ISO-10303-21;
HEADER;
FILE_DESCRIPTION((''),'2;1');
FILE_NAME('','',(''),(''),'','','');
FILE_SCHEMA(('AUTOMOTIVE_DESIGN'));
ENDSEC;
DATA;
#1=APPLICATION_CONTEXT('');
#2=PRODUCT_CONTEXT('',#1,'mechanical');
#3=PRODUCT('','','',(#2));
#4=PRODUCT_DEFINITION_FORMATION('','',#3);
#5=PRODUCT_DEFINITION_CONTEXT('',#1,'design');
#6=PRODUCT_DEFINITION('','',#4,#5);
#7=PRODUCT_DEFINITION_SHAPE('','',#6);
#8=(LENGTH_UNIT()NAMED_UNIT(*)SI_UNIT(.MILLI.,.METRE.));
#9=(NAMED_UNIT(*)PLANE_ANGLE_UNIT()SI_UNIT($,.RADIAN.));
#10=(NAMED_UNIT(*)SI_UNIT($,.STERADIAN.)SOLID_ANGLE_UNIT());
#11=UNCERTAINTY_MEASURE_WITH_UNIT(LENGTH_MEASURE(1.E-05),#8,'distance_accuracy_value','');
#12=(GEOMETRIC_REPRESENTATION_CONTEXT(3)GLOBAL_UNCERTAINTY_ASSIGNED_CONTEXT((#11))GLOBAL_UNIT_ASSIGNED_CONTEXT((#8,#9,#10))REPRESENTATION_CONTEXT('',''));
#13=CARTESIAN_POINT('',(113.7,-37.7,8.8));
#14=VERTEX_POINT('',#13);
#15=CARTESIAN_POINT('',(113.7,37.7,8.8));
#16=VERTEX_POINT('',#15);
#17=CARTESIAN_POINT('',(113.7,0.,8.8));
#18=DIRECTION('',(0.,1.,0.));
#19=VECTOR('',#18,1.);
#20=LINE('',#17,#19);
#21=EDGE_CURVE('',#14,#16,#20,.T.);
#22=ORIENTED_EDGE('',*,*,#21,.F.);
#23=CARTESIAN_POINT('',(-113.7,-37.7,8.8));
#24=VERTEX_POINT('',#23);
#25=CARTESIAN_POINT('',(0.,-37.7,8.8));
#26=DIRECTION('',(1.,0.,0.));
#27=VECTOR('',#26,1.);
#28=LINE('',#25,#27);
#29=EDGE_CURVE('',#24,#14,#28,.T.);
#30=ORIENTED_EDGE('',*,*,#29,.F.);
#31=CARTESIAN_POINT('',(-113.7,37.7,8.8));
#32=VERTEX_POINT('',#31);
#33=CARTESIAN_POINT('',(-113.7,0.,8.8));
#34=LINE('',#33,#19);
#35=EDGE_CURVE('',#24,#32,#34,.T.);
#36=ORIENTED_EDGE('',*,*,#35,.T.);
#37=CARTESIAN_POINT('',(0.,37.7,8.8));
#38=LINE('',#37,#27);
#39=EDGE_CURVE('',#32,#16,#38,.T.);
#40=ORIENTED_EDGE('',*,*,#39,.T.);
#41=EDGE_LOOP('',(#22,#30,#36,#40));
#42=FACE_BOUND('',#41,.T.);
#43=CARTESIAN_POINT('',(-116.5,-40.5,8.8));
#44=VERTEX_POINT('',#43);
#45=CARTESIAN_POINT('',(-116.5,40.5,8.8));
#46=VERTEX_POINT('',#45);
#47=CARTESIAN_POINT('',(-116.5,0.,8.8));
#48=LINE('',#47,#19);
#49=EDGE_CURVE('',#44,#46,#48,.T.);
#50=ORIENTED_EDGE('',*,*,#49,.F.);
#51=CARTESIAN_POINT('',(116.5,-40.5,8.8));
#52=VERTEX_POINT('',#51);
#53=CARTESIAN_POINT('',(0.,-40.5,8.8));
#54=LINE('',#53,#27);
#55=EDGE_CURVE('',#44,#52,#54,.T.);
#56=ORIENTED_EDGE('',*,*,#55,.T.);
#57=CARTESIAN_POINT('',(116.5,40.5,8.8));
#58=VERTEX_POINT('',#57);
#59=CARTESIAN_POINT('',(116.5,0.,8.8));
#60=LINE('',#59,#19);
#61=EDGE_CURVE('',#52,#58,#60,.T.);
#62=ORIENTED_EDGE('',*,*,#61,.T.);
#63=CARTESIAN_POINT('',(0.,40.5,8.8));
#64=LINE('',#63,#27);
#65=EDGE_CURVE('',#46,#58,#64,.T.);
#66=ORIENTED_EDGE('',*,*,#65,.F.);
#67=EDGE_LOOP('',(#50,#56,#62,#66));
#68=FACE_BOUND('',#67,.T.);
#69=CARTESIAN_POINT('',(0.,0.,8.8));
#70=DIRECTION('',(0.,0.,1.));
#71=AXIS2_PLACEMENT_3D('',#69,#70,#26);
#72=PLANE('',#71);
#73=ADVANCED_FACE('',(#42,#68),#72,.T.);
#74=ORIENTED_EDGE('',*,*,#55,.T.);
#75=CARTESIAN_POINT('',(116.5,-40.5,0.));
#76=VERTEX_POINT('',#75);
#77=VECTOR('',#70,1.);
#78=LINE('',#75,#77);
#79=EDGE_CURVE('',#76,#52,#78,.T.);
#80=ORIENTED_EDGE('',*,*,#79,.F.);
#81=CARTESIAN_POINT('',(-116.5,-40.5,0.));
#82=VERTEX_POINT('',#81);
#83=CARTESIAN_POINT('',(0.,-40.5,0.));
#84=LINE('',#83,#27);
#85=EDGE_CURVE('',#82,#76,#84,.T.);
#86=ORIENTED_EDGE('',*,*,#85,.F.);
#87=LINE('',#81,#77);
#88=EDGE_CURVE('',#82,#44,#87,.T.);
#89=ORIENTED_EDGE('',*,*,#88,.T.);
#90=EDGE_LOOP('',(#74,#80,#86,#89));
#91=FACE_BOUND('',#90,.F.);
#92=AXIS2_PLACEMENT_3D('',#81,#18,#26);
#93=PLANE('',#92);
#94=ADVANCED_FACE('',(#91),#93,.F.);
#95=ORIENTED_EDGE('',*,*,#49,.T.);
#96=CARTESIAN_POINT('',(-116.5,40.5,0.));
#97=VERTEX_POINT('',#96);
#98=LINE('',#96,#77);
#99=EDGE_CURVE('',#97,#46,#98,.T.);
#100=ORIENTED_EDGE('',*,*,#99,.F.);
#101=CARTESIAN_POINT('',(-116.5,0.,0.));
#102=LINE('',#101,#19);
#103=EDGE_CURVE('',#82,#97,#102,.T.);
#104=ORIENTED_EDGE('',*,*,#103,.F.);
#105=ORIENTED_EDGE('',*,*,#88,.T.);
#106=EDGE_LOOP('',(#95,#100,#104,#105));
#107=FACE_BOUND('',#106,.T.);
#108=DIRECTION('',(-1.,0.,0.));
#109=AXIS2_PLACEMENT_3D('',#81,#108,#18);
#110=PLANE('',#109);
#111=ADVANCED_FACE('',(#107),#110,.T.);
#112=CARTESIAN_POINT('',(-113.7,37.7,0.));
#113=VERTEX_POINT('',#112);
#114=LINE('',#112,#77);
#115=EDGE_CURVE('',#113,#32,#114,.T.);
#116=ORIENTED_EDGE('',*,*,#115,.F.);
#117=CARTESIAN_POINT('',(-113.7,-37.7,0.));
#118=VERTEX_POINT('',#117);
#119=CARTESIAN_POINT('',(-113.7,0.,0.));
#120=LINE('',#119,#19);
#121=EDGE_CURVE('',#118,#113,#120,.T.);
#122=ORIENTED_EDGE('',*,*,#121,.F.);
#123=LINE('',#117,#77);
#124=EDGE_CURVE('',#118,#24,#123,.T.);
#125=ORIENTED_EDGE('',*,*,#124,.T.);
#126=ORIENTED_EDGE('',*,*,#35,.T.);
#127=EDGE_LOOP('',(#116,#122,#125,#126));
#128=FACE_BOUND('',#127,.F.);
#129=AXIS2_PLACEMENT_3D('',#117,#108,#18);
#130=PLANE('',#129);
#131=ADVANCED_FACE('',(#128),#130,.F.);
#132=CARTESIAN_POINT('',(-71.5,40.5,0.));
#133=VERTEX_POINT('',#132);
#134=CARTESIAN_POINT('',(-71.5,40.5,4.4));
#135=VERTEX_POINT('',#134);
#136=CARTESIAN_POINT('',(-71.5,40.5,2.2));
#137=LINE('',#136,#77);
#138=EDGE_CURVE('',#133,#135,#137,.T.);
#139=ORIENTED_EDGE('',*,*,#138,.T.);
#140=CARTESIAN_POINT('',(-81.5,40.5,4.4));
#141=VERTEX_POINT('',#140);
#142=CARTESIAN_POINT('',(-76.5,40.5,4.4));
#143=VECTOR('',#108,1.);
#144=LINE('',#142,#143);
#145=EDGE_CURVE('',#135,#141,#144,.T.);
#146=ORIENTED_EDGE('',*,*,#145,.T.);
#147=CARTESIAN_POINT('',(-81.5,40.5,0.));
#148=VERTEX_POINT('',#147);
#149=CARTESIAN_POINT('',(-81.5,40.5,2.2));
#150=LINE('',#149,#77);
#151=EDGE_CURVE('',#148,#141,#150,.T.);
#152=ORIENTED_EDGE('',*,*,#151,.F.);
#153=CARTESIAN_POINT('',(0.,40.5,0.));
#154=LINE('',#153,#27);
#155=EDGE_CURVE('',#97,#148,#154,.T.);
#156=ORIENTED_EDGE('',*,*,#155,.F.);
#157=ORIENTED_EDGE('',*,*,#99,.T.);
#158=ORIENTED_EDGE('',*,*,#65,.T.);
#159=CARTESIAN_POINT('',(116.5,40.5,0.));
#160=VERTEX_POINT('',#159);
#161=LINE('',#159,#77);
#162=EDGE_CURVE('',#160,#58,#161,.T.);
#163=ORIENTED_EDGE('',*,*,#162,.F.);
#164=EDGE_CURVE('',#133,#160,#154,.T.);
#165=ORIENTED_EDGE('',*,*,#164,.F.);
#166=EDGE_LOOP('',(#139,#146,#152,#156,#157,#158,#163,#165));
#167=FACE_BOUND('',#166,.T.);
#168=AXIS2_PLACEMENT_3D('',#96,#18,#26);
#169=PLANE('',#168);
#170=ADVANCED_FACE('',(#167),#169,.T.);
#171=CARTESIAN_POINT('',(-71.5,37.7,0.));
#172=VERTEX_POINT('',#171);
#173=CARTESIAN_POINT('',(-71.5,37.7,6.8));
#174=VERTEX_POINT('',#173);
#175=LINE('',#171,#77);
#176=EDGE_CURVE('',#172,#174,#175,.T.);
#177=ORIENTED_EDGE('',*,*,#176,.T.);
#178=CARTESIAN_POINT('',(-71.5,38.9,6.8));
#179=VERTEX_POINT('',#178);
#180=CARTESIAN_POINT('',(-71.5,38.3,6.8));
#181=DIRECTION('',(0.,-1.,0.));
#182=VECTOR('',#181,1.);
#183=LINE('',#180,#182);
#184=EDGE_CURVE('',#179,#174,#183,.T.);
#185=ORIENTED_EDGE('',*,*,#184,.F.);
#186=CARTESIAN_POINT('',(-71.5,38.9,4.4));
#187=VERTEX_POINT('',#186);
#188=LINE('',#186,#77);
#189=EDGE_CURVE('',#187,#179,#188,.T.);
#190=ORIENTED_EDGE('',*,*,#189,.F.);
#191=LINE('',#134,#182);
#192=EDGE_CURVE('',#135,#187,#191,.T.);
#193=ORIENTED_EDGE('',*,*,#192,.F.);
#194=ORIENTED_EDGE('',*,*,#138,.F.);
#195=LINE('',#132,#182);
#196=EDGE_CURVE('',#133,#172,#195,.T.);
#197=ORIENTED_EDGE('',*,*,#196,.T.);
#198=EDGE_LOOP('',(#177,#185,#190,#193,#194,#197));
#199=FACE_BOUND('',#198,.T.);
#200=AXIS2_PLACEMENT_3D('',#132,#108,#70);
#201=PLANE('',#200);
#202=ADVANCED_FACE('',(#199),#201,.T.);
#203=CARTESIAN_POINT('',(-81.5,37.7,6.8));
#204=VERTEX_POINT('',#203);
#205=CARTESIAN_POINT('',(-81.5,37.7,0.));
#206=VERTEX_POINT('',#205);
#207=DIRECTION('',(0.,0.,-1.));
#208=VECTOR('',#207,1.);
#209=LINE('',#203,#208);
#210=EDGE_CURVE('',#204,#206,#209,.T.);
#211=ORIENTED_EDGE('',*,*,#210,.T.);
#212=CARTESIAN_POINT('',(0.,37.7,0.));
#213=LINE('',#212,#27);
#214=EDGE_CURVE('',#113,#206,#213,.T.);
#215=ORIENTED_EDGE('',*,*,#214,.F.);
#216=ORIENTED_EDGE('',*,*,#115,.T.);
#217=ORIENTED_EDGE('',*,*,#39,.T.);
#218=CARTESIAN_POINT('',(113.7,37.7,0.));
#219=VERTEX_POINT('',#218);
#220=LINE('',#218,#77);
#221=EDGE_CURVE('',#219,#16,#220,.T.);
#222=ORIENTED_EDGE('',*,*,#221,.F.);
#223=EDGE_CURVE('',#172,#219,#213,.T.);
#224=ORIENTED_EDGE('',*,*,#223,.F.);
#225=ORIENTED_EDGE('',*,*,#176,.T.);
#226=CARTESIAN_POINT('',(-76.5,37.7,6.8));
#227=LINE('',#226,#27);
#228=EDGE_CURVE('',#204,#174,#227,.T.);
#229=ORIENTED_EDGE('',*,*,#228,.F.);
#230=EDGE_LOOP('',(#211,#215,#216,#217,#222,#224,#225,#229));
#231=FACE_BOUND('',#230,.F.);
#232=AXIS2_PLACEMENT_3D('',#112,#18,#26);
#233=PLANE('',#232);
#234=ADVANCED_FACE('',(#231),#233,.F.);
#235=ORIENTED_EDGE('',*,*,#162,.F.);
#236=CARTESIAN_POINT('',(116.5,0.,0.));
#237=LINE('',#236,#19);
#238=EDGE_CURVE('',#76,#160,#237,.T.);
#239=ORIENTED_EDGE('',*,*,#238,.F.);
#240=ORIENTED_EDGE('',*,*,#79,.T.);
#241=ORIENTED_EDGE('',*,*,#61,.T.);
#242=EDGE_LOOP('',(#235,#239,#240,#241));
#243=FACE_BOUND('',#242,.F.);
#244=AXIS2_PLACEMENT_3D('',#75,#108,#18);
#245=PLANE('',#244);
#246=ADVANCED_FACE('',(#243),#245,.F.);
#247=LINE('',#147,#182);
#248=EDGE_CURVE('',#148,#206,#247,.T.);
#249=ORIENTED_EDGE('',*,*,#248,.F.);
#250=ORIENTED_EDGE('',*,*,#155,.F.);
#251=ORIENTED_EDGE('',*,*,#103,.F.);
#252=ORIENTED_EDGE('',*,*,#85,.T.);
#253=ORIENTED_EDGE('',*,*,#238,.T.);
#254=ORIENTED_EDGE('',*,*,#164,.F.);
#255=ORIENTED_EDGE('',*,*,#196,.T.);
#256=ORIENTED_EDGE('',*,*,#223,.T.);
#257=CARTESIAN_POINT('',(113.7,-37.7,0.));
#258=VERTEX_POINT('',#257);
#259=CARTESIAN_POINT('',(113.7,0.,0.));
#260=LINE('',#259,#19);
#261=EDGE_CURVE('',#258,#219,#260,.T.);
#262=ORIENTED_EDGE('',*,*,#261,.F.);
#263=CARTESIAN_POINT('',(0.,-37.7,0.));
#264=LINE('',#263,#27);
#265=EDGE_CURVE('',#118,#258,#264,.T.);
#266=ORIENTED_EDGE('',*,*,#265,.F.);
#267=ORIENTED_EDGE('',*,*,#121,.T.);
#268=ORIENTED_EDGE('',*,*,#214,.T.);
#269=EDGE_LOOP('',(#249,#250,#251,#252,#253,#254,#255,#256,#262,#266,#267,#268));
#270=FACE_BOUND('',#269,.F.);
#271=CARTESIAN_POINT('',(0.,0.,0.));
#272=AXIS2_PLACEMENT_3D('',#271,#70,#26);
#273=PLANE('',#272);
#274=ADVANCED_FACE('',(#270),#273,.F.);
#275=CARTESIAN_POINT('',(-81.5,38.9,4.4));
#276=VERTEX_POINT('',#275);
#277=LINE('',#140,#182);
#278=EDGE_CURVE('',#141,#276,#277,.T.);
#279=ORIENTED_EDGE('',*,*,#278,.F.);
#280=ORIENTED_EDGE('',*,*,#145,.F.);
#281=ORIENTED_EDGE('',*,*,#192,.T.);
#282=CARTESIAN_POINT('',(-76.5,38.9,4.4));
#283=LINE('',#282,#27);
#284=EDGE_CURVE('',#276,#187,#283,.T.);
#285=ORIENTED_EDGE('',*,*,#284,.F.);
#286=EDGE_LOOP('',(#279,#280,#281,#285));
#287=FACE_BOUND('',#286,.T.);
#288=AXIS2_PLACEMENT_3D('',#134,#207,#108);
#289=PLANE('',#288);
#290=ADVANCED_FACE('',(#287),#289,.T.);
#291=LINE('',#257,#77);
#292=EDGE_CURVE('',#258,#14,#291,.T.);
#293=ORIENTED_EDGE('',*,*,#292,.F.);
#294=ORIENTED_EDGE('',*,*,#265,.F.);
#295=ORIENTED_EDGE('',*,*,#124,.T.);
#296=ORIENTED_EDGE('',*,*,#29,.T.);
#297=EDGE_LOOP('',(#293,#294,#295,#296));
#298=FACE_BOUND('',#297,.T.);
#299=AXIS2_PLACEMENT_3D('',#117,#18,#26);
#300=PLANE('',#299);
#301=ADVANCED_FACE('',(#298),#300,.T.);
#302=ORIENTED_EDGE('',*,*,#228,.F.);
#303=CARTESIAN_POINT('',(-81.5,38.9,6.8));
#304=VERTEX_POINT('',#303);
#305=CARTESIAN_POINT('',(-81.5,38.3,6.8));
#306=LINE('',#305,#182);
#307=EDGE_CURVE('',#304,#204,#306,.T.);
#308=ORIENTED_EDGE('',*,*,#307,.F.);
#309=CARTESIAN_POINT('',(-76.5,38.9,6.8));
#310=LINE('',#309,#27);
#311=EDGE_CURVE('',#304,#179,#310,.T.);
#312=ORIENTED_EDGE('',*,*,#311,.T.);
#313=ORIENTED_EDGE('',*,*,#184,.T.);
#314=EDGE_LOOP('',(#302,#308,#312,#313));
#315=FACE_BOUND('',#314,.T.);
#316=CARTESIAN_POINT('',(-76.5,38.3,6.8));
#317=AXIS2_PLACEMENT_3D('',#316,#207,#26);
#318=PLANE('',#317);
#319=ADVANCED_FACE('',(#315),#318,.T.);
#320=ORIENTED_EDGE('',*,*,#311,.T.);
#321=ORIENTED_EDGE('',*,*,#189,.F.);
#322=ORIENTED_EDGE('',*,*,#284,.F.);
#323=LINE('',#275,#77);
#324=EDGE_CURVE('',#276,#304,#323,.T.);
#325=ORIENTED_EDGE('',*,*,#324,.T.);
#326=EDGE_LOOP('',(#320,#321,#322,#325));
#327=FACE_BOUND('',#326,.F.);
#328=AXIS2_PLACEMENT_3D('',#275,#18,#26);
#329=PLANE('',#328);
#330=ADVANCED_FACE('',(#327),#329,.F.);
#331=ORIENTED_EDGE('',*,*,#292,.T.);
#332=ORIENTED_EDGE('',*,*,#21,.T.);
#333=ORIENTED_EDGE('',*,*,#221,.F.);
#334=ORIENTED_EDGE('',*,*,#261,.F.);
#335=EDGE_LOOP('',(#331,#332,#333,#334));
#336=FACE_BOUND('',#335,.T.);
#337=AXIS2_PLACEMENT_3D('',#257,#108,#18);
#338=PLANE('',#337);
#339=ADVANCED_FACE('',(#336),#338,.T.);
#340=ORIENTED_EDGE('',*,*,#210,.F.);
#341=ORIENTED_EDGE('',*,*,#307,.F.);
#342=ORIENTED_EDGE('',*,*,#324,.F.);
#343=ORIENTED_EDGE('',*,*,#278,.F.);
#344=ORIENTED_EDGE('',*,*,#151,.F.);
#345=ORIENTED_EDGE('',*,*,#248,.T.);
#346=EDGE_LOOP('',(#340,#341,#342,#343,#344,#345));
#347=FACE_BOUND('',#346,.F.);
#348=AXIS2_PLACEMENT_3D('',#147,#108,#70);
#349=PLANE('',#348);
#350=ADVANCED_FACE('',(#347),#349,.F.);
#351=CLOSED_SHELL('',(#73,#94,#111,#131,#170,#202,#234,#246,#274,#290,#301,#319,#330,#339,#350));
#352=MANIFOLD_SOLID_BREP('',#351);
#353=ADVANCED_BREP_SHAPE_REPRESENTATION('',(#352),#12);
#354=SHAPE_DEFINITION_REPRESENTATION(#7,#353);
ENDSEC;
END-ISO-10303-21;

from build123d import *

# Parameters (mm, degrees)
F0_W     = 233
F0_H     = 81
F0_W_2   = 227.4
F0_H_2   = 75.4
F1_DEPTH = 8.8
F2_W     = 10
F2_H     = 4.4
F3_DEPTH = 25
F4_W     = 10
F4_H     = 1.2
F5_DEPTH = 2.4


with BuildPart() as f1:
    # F0 (on Top) → F1 (new body)
    with BuildSketch(Plane.XY):
        Rectangle(F0_W, F0_H)
        Rectangle(F0_W_2, F0_H_2, mode=Mode.SUBTRACT)
    extrude(amount=F1_DEPTH)

    # F2 (on face) → F3 (cut)
    with BuildSketch(Plane(origin=(0, 40.5, 0), x_dir=(-1, 0, 0), z_dir=(0, 1, 0))):
        with Locations((76.5, 2.2)):
            Rectangle(F2_W, F2_H)
    extrude(amount=-F3_DEPTH, mode=Mode.SUBTRACT)

    # F4 (on face) → F5 (cut)
    with BuildSketch(Plane(origin=(0, 0, 4.4), x_dir=(1, 0, 0), z_dir=(0, 0, -1))):
        with Locations((-76.5, -38.3)):
            Rectangle(F4_W, F4_H)
    extrude(amount=-F5_DEPTH, mode=Mode.SUBTRACT)


solid = f1.part
